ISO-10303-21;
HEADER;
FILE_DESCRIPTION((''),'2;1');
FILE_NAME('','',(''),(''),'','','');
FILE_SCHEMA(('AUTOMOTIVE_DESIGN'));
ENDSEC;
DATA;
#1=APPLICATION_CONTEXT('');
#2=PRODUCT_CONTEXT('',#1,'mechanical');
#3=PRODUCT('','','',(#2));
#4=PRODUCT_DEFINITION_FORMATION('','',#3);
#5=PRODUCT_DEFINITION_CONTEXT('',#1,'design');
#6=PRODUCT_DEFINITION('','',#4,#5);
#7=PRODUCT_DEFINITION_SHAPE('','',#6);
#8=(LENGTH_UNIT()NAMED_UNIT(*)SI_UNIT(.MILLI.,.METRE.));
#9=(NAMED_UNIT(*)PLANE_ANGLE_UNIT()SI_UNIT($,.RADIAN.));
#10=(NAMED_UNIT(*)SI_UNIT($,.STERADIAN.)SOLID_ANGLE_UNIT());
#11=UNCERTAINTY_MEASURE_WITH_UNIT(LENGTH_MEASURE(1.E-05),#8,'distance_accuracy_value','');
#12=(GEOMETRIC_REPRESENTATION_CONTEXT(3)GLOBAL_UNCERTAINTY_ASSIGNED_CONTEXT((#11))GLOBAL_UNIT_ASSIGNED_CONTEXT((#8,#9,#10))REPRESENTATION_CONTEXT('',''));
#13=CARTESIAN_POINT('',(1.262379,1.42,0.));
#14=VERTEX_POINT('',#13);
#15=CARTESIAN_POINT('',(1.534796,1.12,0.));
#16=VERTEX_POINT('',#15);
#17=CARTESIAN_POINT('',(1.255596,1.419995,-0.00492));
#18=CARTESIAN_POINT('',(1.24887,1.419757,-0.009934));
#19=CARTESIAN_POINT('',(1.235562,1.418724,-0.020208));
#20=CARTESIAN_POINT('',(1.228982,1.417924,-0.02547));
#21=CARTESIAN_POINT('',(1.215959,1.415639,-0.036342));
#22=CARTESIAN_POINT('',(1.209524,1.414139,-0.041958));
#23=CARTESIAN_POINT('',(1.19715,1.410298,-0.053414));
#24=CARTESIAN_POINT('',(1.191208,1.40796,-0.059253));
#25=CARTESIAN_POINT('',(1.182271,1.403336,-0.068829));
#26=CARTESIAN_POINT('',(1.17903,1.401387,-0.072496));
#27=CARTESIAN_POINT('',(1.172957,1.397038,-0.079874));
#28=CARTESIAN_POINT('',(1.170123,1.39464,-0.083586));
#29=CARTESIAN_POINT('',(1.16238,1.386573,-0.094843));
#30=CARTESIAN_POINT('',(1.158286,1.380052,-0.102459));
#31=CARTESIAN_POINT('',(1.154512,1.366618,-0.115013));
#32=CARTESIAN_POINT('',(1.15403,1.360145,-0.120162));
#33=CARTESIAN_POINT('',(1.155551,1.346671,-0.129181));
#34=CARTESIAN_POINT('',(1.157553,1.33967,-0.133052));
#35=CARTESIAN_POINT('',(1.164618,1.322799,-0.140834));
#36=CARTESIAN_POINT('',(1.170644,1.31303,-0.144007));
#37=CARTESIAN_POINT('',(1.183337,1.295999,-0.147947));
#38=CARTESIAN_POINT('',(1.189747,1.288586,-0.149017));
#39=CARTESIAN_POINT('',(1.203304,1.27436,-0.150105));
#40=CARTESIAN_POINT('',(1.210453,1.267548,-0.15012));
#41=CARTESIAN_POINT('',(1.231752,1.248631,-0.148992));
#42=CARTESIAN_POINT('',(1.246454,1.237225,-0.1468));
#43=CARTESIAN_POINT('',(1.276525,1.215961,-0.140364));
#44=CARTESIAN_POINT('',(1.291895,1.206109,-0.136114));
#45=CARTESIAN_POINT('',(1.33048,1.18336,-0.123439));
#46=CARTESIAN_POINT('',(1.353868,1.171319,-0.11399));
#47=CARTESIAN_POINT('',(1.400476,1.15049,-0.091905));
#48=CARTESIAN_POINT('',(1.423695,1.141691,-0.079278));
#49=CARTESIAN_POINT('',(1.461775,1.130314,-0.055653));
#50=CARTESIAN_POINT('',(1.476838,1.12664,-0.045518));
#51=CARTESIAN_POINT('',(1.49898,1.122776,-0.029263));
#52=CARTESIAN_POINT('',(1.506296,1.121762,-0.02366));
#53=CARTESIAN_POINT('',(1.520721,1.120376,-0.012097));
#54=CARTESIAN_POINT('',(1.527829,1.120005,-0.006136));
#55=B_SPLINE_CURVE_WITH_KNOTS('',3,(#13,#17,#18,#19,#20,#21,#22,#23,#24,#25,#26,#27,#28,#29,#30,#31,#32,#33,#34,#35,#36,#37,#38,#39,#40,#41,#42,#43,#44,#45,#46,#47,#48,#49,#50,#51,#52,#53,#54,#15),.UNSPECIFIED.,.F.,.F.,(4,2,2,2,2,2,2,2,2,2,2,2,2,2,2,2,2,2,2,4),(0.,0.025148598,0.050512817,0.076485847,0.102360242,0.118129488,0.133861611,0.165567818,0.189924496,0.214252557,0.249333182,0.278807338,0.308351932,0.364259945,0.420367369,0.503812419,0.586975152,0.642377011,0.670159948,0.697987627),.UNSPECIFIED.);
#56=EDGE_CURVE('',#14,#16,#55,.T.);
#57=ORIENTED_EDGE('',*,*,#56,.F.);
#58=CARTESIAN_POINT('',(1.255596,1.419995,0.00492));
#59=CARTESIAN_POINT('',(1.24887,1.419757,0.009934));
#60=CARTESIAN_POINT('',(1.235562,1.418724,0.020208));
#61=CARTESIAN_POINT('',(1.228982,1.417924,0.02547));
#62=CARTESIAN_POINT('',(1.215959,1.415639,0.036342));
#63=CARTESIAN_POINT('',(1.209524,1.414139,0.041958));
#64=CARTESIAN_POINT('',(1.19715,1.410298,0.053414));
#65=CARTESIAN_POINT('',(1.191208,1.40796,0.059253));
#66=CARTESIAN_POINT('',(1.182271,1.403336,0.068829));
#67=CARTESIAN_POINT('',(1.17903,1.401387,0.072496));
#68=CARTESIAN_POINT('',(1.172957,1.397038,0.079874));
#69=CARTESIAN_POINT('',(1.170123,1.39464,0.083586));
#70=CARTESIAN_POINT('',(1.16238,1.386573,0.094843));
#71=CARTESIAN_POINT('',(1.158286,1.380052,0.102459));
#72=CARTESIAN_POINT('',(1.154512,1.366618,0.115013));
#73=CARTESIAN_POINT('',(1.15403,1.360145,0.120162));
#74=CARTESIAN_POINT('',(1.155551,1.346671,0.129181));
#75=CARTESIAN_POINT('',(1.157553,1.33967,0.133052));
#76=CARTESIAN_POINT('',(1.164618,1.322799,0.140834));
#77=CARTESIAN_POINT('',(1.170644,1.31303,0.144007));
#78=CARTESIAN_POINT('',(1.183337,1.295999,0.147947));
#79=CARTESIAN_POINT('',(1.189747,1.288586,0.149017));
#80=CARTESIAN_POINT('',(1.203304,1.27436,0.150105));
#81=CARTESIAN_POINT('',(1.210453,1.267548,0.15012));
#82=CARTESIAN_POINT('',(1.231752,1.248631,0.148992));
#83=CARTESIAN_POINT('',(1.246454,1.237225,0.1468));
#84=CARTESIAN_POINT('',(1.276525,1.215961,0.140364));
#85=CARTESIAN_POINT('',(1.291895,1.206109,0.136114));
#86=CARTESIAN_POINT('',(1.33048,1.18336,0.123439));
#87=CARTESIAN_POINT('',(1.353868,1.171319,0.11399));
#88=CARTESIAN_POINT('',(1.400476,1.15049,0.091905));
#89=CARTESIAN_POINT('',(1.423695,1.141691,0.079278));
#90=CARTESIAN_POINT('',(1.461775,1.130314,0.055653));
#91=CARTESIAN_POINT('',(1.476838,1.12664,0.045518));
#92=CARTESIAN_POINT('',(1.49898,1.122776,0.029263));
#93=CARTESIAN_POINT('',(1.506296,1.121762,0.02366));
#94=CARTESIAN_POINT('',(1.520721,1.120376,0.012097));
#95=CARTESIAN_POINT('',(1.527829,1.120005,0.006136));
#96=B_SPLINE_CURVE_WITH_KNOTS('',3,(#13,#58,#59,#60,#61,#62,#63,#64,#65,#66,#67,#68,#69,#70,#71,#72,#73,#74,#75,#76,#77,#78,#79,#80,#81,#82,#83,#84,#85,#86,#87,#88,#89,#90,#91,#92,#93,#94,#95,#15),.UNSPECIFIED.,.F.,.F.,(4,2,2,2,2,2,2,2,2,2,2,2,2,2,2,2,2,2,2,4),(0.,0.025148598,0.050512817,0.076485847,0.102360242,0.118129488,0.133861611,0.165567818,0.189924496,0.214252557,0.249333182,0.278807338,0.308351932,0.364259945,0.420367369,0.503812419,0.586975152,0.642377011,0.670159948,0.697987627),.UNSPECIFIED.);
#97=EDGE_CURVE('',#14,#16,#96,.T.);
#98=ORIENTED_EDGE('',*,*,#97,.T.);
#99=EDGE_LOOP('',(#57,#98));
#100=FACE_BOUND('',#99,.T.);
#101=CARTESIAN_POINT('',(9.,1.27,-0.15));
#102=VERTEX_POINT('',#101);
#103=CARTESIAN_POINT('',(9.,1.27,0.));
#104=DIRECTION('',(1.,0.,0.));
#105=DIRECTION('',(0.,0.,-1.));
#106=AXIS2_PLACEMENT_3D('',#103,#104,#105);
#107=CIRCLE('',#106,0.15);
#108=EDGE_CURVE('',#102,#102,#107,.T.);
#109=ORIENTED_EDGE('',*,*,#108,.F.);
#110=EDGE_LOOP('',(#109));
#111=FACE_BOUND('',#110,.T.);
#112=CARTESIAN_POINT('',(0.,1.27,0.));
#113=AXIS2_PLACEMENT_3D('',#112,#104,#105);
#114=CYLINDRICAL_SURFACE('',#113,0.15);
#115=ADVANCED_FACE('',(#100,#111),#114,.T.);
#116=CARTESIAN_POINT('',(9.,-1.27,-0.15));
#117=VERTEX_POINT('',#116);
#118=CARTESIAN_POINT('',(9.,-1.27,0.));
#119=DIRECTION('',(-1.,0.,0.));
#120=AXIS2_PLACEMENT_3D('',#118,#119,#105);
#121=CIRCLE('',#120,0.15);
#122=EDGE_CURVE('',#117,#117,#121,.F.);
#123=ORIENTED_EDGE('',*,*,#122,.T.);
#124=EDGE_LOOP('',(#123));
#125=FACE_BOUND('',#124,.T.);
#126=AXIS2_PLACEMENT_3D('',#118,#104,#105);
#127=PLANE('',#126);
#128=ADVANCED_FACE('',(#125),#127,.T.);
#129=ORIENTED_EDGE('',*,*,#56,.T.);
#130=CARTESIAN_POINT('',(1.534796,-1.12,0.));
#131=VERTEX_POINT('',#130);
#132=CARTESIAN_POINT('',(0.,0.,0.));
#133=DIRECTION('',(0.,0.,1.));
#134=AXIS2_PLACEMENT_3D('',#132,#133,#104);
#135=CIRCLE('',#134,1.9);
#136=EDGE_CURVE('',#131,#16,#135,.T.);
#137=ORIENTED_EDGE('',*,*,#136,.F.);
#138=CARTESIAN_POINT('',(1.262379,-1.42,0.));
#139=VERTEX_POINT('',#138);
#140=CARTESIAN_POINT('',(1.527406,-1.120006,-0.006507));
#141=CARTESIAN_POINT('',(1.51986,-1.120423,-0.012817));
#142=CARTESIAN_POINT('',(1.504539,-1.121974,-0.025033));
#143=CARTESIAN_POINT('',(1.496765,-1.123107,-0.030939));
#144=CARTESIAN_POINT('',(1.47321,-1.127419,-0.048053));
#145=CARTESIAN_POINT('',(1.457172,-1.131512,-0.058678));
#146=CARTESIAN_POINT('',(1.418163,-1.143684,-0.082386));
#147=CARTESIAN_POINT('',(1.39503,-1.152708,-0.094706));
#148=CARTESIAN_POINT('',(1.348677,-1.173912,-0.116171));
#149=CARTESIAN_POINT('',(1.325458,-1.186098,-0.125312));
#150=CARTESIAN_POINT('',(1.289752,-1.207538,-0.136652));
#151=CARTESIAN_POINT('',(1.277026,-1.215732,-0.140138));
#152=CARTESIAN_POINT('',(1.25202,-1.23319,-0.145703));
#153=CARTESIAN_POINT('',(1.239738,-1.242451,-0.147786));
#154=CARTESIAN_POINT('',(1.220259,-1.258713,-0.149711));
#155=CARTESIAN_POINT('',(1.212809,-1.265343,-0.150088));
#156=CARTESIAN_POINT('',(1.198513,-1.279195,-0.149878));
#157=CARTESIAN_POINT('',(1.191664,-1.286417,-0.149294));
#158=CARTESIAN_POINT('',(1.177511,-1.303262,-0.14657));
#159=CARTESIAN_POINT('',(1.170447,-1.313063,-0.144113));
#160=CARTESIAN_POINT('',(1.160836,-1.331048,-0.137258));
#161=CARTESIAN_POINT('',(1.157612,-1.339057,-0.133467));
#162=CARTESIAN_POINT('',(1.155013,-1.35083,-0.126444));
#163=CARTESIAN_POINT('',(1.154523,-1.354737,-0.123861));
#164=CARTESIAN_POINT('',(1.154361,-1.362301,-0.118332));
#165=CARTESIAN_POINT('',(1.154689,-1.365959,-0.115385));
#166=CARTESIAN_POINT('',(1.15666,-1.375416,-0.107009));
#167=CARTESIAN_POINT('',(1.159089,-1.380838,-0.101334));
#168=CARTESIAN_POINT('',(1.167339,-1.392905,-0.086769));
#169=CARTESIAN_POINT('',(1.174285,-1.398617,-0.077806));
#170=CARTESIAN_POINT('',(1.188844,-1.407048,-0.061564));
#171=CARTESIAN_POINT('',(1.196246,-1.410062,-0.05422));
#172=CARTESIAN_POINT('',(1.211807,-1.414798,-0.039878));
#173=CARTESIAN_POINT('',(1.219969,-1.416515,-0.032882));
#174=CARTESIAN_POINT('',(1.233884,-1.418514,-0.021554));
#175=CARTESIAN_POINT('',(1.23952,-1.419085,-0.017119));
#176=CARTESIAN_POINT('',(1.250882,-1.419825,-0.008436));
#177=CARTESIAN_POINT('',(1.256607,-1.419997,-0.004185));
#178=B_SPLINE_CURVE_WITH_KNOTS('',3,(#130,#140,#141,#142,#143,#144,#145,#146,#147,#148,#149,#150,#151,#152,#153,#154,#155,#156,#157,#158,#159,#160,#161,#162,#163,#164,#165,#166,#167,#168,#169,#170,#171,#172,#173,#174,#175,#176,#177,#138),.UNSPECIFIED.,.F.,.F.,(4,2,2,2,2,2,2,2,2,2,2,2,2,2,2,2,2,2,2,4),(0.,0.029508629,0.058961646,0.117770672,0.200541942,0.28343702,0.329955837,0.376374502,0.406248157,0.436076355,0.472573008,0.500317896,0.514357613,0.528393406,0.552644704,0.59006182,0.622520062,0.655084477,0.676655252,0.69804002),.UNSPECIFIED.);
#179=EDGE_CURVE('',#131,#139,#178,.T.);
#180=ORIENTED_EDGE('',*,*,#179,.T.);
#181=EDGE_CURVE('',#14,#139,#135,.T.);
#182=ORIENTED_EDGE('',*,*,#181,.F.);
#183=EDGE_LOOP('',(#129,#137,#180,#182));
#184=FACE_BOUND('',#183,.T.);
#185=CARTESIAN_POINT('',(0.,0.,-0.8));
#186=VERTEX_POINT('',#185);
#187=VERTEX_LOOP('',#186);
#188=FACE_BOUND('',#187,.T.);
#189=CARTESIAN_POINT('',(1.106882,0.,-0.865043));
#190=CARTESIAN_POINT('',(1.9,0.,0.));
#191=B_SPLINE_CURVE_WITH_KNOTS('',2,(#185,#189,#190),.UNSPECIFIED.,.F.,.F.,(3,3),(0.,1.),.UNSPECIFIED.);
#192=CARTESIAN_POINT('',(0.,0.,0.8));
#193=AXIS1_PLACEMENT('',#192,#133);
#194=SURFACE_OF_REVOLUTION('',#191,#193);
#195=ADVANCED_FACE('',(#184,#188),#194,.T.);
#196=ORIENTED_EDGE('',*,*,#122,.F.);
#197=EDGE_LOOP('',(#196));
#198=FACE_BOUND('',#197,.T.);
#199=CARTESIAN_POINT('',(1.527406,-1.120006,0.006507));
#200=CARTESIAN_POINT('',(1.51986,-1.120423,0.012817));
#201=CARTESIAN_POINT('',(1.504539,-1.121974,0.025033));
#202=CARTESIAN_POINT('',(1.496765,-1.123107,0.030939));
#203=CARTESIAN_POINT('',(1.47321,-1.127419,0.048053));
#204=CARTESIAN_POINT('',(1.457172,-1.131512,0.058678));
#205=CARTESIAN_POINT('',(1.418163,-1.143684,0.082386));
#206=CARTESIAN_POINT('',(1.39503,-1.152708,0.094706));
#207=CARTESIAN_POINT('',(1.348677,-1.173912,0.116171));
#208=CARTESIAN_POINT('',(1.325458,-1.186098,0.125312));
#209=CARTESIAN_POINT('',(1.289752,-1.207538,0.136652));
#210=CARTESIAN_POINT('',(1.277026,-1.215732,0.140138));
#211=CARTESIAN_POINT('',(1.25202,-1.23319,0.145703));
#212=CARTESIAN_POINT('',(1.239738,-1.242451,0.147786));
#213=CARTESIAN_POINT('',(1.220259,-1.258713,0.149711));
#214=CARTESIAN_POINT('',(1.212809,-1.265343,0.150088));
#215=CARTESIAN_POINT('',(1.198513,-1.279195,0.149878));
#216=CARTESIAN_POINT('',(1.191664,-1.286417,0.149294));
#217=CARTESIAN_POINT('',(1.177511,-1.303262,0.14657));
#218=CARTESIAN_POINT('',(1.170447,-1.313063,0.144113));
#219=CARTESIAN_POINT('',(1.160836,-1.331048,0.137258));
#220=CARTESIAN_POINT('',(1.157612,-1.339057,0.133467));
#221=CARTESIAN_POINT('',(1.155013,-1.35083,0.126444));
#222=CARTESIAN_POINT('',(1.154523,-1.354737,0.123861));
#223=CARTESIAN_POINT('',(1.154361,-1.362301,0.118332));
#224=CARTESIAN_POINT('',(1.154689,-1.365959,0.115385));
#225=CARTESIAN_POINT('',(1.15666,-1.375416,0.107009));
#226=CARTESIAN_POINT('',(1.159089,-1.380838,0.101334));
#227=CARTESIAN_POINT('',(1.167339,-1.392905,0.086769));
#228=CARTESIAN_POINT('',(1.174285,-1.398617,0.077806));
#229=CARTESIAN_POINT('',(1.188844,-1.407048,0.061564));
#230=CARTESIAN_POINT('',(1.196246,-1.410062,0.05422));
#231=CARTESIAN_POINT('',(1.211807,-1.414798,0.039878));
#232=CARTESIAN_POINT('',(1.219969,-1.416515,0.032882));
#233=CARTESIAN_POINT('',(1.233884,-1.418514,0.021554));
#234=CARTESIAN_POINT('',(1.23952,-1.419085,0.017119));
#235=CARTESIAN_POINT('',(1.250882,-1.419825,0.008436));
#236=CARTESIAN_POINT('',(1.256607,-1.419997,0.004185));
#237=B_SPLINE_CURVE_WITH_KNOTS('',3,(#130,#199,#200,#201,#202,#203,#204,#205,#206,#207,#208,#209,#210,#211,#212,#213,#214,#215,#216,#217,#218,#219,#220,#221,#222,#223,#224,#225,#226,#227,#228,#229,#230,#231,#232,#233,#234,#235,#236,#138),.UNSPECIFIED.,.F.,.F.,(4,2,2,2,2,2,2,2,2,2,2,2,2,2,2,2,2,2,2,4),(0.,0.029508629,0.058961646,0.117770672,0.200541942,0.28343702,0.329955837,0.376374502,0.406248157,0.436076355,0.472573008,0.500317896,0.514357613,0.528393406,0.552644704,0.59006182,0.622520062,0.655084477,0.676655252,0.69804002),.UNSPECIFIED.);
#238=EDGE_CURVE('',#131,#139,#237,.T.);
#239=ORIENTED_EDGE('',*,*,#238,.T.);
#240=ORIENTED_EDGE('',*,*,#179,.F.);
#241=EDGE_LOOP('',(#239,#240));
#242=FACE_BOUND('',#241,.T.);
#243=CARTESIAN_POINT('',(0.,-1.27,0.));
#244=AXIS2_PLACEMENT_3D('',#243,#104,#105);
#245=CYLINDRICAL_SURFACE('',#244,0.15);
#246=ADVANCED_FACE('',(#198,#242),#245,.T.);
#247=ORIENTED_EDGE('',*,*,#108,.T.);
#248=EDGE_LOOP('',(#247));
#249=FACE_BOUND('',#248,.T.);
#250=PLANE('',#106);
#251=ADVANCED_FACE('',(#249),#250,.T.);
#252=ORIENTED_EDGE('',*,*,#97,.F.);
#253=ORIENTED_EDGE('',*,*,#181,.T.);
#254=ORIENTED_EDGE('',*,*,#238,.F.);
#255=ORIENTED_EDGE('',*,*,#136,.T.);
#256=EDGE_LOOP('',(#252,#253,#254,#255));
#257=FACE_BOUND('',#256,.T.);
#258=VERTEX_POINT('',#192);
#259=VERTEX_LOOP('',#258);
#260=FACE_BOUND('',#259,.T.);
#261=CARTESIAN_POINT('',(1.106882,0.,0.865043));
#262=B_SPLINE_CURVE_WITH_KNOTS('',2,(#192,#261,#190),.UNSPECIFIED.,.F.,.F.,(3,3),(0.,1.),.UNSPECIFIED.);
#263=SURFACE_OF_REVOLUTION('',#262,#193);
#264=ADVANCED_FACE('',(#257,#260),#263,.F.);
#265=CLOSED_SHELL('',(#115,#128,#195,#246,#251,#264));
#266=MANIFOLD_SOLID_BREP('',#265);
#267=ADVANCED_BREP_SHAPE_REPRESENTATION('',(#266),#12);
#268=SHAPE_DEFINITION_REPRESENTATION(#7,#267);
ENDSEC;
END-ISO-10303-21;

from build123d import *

# Parameters (mm, degrees)
SKETCH4_R = 0.15


with BuildPart() as part:
    # Sketch3 → Revolve1 (revolve)
    with BuildSketch(Plane(origin=(0, 0, 0), x_dir=(1, 0, 0), z_dir=(0, 1, 0))):
        with BuildLine():
            Line((1.9, 0), (0, 0))
            Line((0, 0), (0, -0.8))
            add(Edge.make_bspline(
                [(0, -0.8), (1.106882422, -0.865042619), (1.9, 0)],
                knots=[0, 0, 0, 1, 1, 1], degree=2))
        make_face()
        with BuildLine():
            Line((0, 0.8), (0, 0))
            Line((0, 0), (1.9, 0))
            add(Edge.make_bspline(
                [(0, 0.8), (1.106882422, 0.865042619), (1.9, 0)],
                knots=[0, 0, 0, 1, 1, 1], degree=2))
        make_face()
    revolve(axis=Axis((0, 0, 0.8), (0, 0, -1)))

    # Sweep1: sweep along a path in Sketch5
    with BuildLine(Plane(origin=(0, 1.27, 0), x_dir=(1, 0, 0), z_dir=(0, 1, 0))) as sweep1_path:
        Line((0, 0), (9, 0))
    # Sketch4 → Sweep1 (sweep)
    with BuildSketch(Plane(origin=(0, 0, 0), x_dir=(0, 0, -1), z_dir=(1, 0, 0))):
        with Locations((0, 1.27)):
            Circle(SKETCH4_R)
    sweep1 = sweep(path=sweep1_path.line)

    # Mirror1: Sweep1 across plane
    add(sweep1.mirror(Plane.ZX))


solid = part.part
